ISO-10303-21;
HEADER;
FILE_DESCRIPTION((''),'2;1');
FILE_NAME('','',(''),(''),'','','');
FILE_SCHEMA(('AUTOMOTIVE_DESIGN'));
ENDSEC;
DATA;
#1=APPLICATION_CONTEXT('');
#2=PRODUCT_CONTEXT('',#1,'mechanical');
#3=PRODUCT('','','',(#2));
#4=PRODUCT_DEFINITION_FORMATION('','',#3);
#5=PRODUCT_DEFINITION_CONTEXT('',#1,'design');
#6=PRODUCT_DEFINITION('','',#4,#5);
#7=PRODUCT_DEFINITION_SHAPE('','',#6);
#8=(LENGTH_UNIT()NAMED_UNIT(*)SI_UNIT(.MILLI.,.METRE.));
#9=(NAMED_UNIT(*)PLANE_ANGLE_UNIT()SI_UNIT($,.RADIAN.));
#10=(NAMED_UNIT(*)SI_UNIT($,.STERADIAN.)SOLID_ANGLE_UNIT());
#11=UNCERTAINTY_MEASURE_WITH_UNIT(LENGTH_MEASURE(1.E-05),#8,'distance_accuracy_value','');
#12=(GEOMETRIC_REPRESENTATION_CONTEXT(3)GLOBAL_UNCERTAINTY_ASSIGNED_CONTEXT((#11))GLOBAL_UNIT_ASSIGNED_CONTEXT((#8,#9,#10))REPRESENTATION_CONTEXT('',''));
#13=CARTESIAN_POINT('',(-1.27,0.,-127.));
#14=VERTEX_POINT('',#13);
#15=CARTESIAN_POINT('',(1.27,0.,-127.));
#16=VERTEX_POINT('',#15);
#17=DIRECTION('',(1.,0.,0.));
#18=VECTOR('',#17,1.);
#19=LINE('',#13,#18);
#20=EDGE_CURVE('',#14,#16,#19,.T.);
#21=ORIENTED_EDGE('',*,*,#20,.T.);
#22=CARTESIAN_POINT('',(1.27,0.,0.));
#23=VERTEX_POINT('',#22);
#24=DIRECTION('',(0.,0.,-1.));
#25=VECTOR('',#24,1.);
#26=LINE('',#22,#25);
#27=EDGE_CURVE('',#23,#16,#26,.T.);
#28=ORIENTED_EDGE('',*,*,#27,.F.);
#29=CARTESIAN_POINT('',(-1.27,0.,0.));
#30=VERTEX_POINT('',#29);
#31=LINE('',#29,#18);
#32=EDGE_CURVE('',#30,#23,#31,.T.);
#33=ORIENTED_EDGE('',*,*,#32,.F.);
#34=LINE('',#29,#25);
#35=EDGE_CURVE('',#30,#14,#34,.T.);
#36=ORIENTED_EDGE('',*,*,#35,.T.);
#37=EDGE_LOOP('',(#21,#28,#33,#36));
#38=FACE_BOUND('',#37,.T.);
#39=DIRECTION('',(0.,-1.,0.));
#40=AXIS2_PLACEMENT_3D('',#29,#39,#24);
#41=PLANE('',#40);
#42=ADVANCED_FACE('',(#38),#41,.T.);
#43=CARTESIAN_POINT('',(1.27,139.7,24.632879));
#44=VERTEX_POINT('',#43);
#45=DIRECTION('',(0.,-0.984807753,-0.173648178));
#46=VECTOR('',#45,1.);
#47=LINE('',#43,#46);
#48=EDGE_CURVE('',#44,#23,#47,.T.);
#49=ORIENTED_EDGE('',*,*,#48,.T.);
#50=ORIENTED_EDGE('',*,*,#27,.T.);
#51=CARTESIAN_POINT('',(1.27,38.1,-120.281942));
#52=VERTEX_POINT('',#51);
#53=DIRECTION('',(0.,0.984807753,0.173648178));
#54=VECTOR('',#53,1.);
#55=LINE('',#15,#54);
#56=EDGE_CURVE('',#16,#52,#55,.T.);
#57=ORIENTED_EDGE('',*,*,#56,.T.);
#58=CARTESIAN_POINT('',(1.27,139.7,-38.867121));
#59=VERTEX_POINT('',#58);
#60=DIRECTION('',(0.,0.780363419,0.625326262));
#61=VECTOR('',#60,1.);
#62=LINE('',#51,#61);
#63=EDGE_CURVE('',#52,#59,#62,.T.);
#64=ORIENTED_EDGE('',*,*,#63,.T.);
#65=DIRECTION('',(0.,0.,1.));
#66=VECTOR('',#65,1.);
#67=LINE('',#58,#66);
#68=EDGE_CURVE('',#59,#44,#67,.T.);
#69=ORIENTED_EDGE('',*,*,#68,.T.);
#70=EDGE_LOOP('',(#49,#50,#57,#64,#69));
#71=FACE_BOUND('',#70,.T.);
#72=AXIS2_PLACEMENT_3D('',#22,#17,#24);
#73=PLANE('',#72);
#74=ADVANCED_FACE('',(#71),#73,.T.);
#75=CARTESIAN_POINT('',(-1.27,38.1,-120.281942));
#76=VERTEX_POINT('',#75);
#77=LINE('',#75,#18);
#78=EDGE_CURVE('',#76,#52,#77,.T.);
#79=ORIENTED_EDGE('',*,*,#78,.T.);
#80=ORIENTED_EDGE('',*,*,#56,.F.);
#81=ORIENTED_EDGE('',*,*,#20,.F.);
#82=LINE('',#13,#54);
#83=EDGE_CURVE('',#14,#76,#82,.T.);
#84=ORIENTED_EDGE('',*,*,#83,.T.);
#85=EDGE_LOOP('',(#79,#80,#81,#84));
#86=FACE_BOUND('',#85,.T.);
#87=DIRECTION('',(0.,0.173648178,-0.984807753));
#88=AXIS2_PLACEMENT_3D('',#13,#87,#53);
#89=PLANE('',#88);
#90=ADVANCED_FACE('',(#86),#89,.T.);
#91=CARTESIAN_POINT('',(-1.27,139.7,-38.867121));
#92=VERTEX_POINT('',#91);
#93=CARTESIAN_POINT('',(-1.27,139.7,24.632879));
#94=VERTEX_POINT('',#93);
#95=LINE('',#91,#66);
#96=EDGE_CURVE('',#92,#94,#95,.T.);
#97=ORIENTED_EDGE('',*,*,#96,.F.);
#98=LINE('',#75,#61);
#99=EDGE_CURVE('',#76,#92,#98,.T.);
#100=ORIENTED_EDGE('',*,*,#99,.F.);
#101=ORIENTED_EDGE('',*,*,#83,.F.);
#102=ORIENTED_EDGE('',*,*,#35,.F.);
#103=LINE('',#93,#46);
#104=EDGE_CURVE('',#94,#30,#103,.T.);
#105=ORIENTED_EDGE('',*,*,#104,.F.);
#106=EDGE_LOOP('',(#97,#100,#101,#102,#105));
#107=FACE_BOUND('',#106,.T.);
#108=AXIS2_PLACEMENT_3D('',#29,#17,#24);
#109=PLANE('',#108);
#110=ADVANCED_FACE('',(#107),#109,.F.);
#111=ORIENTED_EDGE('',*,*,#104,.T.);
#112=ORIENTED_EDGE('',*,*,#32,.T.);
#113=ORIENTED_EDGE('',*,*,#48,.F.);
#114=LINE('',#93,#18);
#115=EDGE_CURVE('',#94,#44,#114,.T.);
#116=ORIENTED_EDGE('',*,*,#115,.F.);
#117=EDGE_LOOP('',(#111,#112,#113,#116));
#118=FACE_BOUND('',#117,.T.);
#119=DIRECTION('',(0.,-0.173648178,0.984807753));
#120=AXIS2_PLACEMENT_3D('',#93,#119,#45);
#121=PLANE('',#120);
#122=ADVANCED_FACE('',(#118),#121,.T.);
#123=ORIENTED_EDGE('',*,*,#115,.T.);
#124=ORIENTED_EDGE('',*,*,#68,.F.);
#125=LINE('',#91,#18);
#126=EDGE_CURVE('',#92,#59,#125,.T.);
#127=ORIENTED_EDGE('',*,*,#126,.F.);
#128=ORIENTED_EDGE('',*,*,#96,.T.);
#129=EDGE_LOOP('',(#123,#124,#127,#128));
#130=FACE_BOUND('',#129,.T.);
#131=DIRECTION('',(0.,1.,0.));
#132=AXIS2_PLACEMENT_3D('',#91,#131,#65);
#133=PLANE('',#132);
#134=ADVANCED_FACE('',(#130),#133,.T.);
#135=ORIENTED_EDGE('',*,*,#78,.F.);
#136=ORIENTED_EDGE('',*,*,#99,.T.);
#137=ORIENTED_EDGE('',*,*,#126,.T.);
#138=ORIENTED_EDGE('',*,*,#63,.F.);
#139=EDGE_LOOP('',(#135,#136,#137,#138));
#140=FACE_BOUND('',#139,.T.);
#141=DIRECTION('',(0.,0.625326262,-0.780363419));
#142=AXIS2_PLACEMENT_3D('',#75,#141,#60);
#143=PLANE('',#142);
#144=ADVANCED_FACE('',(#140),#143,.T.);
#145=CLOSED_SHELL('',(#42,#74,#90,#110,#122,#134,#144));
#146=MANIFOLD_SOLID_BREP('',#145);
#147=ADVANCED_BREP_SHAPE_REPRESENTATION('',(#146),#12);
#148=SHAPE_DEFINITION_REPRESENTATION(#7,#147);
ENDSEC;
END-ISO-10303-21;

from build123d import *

# Parameters (mm, degrees)
BOSS_EXTRUDE1_DEPTH      = 1.27
BOSS_EXTRUDE1_DEPTH_BACK = 1.27


with BuildPart() as part:
    # Sketch1 → Boss-Extrude1 (new, two sides: drawn at the far end of the back side and taken through both)
    with BuildSketch(Plane(origin=(0, 0, 0), x_dir=(0, 0, -1), z_dir=(1, 0, 0)).offset(-BOSS_EXTRUDE1_DEPTH_BACK)):
        Polygon((0, 0), (127, 0), (120.281942035, 38.1), (38.867120795, 139.7), (-24.632879205, 139.7), align=None)
    extrude(amount=BOSS_EXTRUDE1_DEPTH + BOSS_EXTRUDE1_DEPTH_BACK)


solid = part.part
